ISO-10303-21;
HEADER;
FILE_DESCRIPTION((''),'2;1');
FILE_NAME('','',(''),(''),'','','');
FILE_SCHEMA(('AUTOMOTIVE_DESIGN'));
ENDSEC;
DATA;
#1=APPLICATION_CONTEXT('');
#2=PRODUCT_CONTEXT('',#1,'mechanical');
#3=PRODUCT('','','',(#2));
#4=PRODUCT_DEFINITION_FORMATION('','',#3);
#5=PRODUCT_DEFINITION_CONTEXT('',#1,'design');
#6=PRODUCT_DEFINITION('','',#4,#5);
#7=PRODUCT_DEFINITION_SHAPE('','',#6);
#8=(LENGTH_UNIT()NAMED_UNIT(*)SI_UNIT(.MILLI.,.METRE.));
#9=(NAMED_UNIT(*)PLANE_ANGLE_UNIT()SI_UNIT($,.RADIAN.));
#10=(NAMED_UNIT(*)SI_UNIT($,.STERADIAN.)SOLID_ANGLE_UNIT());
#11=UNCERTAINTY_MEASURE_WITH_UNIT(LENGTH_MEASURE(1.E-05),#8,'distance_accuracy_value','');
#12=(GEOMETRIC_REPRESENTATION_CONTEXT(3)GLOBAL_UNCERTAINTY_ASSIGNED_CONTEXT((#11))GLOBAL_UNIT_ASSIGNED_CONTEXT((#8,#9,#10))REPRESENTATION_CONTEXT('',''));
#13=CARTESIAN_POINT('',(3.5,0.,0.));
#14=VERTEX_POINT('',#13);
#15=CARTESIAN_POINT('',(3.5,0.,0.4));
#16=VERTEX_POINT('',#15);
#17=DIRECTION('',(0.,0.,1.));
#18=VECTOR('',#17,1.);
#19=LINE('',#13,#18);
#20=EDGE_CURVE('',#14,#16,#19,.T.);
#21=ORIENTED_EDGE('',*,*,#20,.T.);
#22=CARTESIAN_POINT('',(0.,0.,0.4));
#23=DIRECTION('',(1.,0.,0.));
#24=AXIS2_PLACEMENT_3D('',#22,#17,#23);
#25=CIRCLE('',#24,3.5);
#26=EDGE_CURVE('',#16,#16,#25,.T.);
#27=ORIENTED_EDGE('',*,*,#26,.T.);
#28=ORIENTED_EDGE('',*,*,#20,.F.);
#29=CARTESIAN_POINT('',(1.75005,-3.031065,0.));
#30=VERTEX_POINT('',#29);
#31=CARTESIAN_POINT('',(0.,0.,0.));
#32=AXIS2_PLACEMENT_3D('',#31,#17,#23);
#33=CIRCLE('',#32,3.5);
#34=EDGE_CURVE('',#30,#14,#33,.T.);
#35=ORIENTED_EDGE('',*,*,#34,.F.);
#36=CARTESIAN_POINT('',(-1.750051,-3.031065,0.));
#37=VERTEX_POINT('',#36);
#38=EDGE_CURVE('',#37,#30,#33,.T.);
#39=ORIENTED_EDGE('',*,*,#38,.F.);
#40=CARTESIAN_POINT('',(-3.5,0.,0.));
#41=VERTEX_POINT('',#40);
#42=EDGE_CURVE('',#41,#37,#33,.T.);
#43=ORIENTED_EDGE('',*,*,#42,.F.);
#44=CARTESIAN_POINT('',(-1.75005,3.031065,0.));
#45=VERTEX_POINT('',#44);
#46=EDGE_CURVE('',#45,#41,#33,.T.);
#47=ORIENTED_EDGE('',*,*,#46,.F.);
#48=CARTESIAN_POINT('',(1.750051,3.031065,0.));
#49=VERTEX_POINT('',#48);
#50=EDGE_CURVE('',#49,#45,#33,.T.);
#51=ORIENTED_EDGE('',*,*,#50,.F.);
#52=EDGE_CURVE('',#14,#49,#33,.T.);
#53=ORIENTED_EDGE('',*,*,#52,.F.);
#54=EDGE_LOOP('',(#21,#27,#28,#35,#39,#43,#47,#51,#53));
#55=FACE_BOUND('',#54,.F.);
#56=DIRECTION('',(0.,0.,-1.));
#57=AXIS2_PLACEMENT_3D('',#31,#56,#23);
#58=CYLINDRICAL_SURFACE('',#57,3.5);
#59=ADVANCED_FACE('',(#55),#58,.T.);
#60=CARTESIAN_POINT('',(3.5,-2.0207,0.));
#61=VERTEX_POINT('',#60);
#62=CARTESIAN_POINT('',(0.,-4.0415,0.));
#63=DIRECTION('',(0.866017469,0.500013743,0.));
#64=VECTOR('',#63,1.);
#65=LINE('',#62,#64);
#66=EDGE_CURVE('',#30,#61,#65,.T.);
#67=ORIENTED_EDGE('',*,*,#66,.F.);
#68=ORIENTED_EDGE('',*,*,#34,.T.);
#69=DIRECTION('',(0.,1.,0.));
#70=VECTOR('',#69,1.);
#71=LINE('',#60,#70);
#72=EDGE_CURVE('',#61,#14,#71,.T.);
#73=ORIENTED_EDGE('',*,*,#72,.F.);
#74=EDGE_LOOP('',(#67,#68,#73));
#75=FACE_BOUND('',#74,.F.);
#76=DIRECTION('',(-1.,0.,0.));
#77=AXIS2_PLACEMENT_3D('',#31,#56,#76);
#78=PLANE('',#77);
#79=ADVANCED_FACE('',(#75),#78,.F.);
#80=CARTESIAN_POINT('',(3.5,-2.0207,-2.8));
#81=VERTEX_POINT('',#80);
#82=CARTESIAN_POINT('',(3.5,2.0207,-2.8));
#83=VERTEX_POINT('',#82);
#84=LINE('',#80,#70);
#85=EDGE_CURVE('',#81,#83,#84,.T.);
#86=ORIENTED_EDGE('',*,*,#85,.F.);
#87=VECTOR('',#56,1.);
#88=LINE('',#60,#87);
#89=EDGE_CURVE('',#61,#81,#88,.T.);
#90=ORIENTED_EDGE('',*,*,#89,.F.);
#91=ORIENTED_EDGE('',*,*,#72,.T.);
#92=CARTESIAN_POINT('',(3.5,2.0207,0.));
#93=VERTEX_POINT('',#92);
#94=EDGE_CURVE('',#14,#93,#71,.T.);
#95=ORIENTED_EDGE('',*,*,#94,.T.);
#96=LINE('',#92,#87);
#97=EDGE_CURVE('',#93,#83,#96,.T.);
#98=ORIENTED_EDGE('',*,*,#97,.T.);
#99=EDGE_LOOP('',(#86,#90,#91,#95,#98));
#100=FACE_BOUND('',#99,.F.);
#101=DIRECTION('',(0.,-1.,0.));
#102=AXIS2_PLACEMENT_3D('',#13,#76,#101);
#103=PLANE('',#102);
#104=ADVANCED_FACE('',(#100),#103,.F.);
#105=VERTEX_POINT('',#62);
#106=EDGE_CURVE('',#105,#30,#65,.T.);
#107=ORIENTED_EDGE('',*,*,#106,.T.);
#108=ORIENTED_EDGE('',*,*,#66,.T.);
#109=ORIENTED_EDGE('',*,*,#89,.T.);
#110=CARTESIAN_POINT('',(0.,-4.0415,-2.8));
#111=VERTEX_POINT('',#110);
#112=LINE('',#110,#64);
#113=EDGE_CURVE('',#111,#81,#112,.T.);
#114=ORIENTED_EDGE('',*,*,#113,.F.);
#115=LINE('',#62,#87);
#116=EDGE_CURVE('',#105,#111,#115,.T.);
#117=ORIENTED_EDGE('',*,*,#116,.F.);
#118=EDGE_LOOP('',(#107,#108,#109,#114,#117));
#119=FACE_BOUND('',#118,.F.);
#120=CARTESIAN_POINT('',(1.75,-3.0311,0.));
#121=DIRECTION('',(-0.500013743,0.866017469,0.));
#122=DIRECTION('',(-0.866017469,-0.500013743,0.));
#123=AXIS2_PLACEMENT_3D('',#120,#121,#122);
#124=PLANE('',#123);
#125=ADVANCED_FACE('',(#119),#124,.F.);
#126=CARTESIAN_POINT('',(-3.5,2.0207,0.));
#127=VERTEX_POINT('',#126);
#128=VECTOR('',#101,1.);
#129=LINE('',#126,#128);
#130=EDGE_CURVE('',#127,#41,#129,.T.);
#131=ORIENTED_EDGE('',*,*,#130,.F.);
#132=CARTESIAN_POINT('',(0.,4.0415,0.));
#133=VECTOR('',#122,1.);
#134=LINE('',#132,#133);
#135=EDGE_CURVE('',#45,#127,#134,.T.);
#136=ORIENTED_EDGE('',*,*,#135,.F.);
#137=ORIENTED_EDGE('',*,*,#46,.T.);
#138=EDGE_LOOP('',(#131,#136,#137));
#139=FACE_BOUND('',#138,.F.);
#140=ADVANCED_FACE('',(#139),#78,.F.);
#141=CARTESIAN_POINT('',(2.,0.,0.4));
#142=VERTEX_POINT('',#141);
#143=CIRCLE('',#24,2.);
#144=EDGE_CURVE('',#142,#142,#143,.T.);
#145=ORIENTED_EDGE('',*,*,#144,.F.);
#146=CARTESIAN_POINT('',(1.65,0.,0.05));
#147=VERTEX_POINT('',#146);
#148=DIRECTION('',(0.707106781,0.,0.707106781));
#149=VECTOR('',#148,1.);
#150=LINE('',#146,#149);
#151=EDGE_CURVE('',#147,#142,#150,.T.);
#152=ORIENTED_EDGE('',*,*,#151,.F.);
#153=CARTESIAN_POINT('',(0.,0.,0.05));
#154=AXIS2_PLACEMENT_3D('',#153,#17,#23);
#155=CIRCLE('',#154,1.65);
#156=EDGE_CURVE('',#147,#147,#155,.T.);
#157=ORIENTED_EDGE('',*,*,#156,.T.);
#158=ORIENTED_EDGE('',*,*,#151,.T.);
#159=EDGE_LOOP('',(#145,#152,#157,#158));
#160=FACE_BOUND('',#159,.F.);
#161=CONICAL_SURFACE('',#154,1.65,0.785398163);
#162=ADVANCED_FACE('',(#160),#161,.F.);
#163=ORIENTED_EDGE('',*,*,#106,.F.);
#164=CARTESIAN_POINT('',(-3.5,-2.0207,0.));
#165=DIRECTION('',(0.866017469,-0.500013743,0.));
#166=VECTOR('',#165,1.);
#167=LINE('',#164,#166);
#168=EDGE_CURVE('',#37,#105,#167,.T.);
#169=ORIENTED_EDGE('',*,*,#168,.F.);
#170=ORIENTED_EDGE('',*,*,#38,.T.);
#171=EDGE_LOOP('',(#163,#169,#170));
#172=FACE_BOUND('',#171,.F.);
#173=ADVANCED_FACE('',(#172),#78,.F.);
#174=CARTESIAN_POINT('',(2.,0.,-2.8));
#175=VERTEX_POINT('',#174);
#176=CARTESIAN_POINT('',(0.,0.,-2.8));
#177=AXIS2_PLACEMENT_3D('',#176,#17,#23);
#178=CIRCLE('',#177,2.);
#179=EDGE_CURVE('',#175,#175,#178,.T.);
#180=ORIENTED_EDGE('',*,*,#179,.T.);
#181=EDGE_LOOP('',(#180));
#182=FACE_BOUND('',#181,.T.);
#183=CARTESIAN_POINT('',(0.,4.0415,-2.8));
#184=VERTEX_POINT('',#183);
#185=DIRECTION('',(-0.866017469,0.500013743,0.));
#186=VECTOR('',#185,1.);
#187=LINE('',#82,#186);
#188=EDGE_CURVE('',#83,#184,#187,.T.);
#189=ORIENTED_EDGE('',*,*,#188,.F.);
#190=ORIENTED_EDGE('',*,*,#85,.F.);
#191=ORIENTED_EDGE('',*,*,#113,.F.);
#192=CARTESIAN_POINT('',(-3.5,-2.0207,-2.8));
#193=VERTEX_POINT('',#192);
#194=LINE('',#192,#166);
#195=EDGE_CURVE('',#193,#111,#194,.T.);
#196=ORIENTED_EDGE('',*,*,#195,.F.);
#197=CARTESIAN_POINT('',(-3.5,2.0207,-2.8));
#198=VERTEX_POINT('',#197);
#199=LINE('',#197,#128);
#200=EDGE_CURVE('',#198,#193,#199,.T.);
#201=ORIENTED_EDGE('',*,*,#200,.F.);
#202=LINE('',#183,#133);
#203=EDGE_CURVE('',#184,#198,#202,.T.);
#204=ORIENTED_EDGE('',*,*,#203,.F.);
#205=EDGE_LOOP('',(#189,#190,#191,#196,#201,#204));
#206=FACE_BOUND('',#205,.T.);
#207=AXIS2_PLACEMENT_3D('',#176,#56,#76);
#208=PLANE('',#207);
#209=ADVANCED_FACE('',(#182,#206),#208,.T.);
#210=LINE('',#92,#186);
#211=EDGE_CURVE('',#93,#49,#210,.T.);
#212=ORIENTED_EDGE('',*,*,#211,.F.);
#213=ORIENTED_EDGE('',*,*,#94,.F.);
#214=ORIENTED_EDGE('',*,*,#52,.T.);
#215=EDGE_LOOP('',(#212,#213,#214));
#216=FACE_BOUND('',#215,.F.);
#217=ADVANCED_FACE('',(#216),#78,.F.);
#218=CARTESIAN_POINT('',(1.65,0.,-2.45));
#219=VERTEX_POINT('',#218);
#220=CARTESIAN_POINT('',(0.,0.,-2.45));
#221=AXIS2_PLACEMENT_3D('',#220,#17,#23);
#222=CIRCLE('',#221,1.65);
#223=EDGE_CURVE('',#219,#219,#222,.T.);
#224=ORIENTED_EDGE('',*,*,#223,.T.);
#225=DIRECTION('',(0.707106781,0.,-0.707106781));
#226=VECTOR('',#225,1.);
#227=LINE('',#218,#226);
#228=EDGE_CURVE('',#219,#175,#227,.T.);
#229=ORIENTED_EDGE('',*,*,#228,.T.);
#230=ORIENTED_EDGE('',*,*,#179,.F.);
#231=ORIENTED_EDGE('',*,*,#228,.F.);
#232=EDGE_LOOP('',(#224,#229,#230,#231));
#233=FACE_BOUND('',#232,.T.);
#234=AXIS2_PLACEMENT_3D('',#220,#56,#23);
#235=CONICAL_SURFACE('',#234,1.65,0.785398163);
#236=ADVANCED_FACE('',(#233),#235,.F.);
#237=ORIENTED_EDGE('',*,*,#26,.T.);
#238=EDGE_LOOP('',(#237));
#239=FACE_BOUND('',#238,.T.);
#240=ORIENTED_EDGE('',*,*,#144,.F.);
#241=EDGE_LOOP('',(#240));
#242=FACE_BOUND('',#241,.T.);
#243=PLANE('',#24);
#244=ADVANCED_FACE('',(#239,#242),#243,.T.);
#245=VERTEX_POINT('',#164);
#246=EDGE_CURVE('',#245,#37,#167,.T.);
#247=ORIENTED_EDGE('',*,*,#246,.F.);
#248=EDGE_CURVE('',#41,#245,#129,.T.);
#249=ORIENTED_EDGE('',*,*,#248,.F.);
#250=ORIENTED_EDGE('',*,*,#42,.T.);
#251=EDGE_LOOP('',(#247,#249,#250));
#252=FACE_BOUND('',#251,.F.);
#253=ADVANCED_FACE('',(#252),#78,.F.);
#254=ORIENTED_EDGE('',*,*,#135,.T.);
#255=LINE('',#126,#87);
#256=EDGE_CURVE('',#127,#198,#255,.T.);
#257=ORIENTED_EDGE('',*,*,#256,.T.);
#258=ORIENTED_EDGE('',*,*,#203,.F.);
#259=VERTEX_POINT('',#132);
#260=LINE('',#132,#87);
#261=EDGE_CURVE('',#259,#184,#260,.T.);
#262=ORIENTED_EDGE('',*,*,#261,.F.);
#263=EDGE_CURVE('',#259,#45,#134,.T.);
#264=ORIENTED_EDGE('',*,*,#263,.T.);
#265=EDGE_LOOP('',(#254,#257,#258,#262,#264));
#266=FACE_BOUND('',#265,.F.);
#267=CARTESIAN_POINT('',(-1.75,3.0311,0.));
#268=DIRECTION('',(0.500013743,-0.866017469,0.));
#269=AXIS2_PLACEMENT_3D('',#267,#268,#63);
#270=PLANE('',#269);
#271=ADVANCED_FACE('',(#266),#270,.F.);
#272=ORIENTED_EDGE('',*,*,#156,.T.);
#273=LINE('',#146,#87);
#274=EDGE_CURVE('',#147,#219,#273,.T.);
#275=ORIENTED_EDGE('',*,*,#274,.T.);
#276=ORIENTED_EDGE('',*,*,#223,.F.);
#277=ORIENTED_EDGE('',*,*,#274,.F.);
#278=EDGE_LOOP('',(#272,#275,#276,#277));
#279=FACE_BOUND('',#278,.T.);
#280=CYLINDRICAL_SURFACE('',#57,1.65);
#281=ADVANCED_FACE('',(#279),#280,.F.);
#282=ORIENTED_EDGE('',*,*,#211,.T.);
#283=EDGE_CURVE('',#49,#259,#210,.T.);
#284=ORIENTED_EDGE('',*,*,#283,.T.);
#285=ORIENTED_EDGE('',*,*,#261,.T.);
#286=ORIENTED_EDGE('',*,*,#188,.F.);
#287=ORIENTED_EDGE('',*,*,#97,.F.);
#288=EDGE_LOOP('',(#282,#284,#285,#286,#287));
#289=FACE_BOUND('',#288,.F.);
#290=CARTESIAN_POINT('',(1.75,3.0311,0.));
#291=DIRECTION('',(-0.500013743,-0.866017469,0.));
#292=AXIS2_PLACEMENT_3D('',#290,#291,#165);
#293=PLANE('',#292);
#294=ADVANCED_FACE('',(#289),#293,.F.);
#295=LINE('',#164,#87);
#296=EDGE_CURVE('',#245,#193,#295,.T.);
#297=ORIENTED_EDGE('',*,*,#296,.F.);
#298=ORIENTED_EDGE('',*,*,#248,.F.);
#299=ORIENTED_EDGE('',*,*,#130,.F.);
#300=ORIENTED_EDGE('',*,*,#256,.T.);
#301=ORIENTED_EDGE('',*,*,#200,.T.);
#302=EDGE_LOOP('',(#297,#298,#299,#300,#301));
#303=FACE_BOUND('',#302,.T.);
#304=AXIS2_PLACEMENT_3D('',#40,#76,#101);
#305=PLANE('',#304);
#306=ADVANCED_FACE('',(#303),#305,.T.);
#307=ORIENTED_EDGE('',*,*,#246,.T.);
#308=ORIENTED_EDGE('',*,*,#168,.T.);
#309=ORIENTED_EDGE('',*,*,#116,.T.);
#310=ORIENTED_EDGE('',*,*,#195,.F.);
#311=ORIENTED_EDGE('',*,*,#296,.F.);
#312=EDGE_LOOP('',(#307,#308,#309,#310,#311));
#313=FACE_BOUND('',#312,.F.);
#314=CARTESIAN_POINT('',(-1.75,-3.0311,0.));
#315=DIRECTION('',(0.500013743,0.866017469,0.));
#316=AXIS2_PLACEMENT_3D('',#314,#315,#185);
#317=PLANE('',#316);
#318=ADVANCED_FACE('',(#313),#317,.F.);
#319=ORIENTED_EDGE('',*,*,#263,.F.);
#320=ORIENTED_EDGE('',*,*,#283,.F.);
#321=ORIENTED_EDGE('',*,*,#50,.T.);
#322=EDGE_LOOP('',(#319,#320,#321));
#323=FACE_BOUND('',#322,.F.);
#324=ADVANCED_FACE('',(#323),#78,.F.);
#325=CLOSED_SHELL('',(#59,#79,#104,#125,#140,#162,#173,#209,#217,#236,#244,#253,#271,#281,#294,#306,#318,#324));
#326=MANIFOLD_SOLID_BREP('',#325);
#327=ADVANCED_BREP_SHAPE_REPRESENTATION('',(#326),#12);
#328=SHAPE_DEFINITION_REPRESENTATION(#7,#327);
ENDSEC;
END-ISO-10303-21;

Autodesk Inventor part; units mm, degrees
ref_plane "YZ Plane" through (0, 0, 0) normal (1, 0, 0) x (0, 1, 0)
ref_plane "XZ Plane" through (0, 0, 0) normal (0, 1, 0) x (-1, 0, 0)
ref_plane "XY Plane" through (0, 0, 0) normal (0, 0, 1) x (1, 0, 0)
sketch "Szkic1" plane through (0, 0, 0) normal (0, 0, 1) x (1, 0, 0)
  circle A0 centre (0, 0) radius 3.5
  circle A1 centre (0, 0) radius 1.65
  dimension "d0" = 7
  dimension "d1" = 3.3
extrude "Wyciągnięcie proste1" add sketch "Szkic1" along normal blind 0.4
chamfer "Faza1" distance 0.35 angle 45 1 edges at (-1.65, 0, 0.4)
sketch "Szkic2" plane through (0, 0, 0.4) normal (0, 0, 1) x (1, 0, 0)
  point P0 (0, 0)
sketch "Szkic3" plane through (0, 0, 0) normal (0, 0, -1) x (-1, 0, 0)
  circle A0 centre (0, 0) radius 1.65
  circle A1 centre (0, 0) radius 3.5
  circle A2 centre (0, 0) radius 3.5 projected
  line L0 (1.75, 3.0311) -> (3.5, 2.0207)
  line L1 (1.75, 3.0311) -> (0, 4.0415)
  line L2 (-1.75, 3.0311) -> (0, 4.0415)
  line L3 (-1.75, 3.0311) -> (-3.5, 2.0207)
  line L4 (-3.5, 0) -> (-3.5, 2.0207)
  line L5 (-3.5, 0) -> (-3.5, -2.0207)
  line L6 (-1.75, -3.0311) -> (-3.5, -2.0207)
  line L7 (-1.75, -3.0311) -> (0, -4.0415)
  line L8 (0, -4.0415) -> (1.75, -3.0311)
  line L9 (1.75, -3.0311) -> (3.5, -2.0207)
  line L10 (3.5, 0) -> (3.5, -2.0207)
  line L11 (3.5, 0) -> (3.5, 2.0207)
extrude "Wyciągnięcie proste2" add sketch "Szkic3" along normal blind 2.8 contours A0 | A1 | L10 L9 A1 | A1 L0 L11 | A1 L2 L1 | L8 L7 A1 | A1 L4 L3 | L6 L5 A1
sketch "Szkic4" plane through (0, 0, 0) normal (0, 0, 1) x (1, 0, 0)
  circle A0 centre (0, 0) radius 1.65
extrude "Wyciągnięcie proste3" cut sketch "Szkic4" against normal blind 2.8
chamfer "Faza2" distance 0.35 angle 45 1 edges at (-1.65, 0, -2.8)
sketch "Szkic5" plane through (0, 0, -2.8) normal (0, 0, -1) x (-1, 0, 0)
  circle A0 centre (0, 0) radius 3.5
  dimension "d18" = 7
sketch "Szkic6" plane through (0, 0, -2.8) normal (0, 0, -1) x (-1, 0, 0)
  line L0 (-3.5, 2.0207) -> (-3.5, -2.0207) projected
  line L1 (-3.5, -2.0207) -> (-3.5, 0)
  line L2 (-3.5, 2.0207) -> (-3.5, 0) projected
  line L3 (-3.5, 0) -> (-3.5, 2.0207)
  line L4 (-3.5, 2.0207) -> (-1.75, 3.0311)
  line L5 (0, 4.0415) -> (-3.5, 2.0207) projected
  line L6 (-1.75, 3.0311) -> (0, 4.0415)
  line L7 (0, 4.0415) -> (1.75, 3.0311)
  line L8 (3.5, 2.0207) -> (0, 4.0415) projected
  line L9 (1.75, 3.0311) -> (3.5, 2.0207)
  line L10 (3.5, 2.0207) -> (3.5, 0)
  line L11 (3.5, -2.0207) -> (3.5, 0) projected
  line L12 (3.5, 0) -> (3.5, -2.0207)
  arc A0 (-1.75, -3.0311) -> (1.75, -3.0311) centre (0, 0) ccw projected
  line L13 (3.5, -2.0207) -> (1.75, -3.0311)
  line L14 (-3.5, -2.0207) -> (0, -4.0415) projected
  line L15 (1.75, -3.0311) -> (0, -4.0415)
  line L16 (0, -4.0415) -> (-1.75, -3.0311)
  arc A1 (-3.5, 0) -> (-1.75, -3.0311) centre (0, 0) ccw projected
  line L17 (-1.75, -3.0311) -> (-3.5, -2.0207)
sketch "Szkic7" plane through (0, 0, -2.8) normal (0, 0, -1) x (-1, 0, 0)
  point P0 (0, 0)
properties part number "nakretka"
